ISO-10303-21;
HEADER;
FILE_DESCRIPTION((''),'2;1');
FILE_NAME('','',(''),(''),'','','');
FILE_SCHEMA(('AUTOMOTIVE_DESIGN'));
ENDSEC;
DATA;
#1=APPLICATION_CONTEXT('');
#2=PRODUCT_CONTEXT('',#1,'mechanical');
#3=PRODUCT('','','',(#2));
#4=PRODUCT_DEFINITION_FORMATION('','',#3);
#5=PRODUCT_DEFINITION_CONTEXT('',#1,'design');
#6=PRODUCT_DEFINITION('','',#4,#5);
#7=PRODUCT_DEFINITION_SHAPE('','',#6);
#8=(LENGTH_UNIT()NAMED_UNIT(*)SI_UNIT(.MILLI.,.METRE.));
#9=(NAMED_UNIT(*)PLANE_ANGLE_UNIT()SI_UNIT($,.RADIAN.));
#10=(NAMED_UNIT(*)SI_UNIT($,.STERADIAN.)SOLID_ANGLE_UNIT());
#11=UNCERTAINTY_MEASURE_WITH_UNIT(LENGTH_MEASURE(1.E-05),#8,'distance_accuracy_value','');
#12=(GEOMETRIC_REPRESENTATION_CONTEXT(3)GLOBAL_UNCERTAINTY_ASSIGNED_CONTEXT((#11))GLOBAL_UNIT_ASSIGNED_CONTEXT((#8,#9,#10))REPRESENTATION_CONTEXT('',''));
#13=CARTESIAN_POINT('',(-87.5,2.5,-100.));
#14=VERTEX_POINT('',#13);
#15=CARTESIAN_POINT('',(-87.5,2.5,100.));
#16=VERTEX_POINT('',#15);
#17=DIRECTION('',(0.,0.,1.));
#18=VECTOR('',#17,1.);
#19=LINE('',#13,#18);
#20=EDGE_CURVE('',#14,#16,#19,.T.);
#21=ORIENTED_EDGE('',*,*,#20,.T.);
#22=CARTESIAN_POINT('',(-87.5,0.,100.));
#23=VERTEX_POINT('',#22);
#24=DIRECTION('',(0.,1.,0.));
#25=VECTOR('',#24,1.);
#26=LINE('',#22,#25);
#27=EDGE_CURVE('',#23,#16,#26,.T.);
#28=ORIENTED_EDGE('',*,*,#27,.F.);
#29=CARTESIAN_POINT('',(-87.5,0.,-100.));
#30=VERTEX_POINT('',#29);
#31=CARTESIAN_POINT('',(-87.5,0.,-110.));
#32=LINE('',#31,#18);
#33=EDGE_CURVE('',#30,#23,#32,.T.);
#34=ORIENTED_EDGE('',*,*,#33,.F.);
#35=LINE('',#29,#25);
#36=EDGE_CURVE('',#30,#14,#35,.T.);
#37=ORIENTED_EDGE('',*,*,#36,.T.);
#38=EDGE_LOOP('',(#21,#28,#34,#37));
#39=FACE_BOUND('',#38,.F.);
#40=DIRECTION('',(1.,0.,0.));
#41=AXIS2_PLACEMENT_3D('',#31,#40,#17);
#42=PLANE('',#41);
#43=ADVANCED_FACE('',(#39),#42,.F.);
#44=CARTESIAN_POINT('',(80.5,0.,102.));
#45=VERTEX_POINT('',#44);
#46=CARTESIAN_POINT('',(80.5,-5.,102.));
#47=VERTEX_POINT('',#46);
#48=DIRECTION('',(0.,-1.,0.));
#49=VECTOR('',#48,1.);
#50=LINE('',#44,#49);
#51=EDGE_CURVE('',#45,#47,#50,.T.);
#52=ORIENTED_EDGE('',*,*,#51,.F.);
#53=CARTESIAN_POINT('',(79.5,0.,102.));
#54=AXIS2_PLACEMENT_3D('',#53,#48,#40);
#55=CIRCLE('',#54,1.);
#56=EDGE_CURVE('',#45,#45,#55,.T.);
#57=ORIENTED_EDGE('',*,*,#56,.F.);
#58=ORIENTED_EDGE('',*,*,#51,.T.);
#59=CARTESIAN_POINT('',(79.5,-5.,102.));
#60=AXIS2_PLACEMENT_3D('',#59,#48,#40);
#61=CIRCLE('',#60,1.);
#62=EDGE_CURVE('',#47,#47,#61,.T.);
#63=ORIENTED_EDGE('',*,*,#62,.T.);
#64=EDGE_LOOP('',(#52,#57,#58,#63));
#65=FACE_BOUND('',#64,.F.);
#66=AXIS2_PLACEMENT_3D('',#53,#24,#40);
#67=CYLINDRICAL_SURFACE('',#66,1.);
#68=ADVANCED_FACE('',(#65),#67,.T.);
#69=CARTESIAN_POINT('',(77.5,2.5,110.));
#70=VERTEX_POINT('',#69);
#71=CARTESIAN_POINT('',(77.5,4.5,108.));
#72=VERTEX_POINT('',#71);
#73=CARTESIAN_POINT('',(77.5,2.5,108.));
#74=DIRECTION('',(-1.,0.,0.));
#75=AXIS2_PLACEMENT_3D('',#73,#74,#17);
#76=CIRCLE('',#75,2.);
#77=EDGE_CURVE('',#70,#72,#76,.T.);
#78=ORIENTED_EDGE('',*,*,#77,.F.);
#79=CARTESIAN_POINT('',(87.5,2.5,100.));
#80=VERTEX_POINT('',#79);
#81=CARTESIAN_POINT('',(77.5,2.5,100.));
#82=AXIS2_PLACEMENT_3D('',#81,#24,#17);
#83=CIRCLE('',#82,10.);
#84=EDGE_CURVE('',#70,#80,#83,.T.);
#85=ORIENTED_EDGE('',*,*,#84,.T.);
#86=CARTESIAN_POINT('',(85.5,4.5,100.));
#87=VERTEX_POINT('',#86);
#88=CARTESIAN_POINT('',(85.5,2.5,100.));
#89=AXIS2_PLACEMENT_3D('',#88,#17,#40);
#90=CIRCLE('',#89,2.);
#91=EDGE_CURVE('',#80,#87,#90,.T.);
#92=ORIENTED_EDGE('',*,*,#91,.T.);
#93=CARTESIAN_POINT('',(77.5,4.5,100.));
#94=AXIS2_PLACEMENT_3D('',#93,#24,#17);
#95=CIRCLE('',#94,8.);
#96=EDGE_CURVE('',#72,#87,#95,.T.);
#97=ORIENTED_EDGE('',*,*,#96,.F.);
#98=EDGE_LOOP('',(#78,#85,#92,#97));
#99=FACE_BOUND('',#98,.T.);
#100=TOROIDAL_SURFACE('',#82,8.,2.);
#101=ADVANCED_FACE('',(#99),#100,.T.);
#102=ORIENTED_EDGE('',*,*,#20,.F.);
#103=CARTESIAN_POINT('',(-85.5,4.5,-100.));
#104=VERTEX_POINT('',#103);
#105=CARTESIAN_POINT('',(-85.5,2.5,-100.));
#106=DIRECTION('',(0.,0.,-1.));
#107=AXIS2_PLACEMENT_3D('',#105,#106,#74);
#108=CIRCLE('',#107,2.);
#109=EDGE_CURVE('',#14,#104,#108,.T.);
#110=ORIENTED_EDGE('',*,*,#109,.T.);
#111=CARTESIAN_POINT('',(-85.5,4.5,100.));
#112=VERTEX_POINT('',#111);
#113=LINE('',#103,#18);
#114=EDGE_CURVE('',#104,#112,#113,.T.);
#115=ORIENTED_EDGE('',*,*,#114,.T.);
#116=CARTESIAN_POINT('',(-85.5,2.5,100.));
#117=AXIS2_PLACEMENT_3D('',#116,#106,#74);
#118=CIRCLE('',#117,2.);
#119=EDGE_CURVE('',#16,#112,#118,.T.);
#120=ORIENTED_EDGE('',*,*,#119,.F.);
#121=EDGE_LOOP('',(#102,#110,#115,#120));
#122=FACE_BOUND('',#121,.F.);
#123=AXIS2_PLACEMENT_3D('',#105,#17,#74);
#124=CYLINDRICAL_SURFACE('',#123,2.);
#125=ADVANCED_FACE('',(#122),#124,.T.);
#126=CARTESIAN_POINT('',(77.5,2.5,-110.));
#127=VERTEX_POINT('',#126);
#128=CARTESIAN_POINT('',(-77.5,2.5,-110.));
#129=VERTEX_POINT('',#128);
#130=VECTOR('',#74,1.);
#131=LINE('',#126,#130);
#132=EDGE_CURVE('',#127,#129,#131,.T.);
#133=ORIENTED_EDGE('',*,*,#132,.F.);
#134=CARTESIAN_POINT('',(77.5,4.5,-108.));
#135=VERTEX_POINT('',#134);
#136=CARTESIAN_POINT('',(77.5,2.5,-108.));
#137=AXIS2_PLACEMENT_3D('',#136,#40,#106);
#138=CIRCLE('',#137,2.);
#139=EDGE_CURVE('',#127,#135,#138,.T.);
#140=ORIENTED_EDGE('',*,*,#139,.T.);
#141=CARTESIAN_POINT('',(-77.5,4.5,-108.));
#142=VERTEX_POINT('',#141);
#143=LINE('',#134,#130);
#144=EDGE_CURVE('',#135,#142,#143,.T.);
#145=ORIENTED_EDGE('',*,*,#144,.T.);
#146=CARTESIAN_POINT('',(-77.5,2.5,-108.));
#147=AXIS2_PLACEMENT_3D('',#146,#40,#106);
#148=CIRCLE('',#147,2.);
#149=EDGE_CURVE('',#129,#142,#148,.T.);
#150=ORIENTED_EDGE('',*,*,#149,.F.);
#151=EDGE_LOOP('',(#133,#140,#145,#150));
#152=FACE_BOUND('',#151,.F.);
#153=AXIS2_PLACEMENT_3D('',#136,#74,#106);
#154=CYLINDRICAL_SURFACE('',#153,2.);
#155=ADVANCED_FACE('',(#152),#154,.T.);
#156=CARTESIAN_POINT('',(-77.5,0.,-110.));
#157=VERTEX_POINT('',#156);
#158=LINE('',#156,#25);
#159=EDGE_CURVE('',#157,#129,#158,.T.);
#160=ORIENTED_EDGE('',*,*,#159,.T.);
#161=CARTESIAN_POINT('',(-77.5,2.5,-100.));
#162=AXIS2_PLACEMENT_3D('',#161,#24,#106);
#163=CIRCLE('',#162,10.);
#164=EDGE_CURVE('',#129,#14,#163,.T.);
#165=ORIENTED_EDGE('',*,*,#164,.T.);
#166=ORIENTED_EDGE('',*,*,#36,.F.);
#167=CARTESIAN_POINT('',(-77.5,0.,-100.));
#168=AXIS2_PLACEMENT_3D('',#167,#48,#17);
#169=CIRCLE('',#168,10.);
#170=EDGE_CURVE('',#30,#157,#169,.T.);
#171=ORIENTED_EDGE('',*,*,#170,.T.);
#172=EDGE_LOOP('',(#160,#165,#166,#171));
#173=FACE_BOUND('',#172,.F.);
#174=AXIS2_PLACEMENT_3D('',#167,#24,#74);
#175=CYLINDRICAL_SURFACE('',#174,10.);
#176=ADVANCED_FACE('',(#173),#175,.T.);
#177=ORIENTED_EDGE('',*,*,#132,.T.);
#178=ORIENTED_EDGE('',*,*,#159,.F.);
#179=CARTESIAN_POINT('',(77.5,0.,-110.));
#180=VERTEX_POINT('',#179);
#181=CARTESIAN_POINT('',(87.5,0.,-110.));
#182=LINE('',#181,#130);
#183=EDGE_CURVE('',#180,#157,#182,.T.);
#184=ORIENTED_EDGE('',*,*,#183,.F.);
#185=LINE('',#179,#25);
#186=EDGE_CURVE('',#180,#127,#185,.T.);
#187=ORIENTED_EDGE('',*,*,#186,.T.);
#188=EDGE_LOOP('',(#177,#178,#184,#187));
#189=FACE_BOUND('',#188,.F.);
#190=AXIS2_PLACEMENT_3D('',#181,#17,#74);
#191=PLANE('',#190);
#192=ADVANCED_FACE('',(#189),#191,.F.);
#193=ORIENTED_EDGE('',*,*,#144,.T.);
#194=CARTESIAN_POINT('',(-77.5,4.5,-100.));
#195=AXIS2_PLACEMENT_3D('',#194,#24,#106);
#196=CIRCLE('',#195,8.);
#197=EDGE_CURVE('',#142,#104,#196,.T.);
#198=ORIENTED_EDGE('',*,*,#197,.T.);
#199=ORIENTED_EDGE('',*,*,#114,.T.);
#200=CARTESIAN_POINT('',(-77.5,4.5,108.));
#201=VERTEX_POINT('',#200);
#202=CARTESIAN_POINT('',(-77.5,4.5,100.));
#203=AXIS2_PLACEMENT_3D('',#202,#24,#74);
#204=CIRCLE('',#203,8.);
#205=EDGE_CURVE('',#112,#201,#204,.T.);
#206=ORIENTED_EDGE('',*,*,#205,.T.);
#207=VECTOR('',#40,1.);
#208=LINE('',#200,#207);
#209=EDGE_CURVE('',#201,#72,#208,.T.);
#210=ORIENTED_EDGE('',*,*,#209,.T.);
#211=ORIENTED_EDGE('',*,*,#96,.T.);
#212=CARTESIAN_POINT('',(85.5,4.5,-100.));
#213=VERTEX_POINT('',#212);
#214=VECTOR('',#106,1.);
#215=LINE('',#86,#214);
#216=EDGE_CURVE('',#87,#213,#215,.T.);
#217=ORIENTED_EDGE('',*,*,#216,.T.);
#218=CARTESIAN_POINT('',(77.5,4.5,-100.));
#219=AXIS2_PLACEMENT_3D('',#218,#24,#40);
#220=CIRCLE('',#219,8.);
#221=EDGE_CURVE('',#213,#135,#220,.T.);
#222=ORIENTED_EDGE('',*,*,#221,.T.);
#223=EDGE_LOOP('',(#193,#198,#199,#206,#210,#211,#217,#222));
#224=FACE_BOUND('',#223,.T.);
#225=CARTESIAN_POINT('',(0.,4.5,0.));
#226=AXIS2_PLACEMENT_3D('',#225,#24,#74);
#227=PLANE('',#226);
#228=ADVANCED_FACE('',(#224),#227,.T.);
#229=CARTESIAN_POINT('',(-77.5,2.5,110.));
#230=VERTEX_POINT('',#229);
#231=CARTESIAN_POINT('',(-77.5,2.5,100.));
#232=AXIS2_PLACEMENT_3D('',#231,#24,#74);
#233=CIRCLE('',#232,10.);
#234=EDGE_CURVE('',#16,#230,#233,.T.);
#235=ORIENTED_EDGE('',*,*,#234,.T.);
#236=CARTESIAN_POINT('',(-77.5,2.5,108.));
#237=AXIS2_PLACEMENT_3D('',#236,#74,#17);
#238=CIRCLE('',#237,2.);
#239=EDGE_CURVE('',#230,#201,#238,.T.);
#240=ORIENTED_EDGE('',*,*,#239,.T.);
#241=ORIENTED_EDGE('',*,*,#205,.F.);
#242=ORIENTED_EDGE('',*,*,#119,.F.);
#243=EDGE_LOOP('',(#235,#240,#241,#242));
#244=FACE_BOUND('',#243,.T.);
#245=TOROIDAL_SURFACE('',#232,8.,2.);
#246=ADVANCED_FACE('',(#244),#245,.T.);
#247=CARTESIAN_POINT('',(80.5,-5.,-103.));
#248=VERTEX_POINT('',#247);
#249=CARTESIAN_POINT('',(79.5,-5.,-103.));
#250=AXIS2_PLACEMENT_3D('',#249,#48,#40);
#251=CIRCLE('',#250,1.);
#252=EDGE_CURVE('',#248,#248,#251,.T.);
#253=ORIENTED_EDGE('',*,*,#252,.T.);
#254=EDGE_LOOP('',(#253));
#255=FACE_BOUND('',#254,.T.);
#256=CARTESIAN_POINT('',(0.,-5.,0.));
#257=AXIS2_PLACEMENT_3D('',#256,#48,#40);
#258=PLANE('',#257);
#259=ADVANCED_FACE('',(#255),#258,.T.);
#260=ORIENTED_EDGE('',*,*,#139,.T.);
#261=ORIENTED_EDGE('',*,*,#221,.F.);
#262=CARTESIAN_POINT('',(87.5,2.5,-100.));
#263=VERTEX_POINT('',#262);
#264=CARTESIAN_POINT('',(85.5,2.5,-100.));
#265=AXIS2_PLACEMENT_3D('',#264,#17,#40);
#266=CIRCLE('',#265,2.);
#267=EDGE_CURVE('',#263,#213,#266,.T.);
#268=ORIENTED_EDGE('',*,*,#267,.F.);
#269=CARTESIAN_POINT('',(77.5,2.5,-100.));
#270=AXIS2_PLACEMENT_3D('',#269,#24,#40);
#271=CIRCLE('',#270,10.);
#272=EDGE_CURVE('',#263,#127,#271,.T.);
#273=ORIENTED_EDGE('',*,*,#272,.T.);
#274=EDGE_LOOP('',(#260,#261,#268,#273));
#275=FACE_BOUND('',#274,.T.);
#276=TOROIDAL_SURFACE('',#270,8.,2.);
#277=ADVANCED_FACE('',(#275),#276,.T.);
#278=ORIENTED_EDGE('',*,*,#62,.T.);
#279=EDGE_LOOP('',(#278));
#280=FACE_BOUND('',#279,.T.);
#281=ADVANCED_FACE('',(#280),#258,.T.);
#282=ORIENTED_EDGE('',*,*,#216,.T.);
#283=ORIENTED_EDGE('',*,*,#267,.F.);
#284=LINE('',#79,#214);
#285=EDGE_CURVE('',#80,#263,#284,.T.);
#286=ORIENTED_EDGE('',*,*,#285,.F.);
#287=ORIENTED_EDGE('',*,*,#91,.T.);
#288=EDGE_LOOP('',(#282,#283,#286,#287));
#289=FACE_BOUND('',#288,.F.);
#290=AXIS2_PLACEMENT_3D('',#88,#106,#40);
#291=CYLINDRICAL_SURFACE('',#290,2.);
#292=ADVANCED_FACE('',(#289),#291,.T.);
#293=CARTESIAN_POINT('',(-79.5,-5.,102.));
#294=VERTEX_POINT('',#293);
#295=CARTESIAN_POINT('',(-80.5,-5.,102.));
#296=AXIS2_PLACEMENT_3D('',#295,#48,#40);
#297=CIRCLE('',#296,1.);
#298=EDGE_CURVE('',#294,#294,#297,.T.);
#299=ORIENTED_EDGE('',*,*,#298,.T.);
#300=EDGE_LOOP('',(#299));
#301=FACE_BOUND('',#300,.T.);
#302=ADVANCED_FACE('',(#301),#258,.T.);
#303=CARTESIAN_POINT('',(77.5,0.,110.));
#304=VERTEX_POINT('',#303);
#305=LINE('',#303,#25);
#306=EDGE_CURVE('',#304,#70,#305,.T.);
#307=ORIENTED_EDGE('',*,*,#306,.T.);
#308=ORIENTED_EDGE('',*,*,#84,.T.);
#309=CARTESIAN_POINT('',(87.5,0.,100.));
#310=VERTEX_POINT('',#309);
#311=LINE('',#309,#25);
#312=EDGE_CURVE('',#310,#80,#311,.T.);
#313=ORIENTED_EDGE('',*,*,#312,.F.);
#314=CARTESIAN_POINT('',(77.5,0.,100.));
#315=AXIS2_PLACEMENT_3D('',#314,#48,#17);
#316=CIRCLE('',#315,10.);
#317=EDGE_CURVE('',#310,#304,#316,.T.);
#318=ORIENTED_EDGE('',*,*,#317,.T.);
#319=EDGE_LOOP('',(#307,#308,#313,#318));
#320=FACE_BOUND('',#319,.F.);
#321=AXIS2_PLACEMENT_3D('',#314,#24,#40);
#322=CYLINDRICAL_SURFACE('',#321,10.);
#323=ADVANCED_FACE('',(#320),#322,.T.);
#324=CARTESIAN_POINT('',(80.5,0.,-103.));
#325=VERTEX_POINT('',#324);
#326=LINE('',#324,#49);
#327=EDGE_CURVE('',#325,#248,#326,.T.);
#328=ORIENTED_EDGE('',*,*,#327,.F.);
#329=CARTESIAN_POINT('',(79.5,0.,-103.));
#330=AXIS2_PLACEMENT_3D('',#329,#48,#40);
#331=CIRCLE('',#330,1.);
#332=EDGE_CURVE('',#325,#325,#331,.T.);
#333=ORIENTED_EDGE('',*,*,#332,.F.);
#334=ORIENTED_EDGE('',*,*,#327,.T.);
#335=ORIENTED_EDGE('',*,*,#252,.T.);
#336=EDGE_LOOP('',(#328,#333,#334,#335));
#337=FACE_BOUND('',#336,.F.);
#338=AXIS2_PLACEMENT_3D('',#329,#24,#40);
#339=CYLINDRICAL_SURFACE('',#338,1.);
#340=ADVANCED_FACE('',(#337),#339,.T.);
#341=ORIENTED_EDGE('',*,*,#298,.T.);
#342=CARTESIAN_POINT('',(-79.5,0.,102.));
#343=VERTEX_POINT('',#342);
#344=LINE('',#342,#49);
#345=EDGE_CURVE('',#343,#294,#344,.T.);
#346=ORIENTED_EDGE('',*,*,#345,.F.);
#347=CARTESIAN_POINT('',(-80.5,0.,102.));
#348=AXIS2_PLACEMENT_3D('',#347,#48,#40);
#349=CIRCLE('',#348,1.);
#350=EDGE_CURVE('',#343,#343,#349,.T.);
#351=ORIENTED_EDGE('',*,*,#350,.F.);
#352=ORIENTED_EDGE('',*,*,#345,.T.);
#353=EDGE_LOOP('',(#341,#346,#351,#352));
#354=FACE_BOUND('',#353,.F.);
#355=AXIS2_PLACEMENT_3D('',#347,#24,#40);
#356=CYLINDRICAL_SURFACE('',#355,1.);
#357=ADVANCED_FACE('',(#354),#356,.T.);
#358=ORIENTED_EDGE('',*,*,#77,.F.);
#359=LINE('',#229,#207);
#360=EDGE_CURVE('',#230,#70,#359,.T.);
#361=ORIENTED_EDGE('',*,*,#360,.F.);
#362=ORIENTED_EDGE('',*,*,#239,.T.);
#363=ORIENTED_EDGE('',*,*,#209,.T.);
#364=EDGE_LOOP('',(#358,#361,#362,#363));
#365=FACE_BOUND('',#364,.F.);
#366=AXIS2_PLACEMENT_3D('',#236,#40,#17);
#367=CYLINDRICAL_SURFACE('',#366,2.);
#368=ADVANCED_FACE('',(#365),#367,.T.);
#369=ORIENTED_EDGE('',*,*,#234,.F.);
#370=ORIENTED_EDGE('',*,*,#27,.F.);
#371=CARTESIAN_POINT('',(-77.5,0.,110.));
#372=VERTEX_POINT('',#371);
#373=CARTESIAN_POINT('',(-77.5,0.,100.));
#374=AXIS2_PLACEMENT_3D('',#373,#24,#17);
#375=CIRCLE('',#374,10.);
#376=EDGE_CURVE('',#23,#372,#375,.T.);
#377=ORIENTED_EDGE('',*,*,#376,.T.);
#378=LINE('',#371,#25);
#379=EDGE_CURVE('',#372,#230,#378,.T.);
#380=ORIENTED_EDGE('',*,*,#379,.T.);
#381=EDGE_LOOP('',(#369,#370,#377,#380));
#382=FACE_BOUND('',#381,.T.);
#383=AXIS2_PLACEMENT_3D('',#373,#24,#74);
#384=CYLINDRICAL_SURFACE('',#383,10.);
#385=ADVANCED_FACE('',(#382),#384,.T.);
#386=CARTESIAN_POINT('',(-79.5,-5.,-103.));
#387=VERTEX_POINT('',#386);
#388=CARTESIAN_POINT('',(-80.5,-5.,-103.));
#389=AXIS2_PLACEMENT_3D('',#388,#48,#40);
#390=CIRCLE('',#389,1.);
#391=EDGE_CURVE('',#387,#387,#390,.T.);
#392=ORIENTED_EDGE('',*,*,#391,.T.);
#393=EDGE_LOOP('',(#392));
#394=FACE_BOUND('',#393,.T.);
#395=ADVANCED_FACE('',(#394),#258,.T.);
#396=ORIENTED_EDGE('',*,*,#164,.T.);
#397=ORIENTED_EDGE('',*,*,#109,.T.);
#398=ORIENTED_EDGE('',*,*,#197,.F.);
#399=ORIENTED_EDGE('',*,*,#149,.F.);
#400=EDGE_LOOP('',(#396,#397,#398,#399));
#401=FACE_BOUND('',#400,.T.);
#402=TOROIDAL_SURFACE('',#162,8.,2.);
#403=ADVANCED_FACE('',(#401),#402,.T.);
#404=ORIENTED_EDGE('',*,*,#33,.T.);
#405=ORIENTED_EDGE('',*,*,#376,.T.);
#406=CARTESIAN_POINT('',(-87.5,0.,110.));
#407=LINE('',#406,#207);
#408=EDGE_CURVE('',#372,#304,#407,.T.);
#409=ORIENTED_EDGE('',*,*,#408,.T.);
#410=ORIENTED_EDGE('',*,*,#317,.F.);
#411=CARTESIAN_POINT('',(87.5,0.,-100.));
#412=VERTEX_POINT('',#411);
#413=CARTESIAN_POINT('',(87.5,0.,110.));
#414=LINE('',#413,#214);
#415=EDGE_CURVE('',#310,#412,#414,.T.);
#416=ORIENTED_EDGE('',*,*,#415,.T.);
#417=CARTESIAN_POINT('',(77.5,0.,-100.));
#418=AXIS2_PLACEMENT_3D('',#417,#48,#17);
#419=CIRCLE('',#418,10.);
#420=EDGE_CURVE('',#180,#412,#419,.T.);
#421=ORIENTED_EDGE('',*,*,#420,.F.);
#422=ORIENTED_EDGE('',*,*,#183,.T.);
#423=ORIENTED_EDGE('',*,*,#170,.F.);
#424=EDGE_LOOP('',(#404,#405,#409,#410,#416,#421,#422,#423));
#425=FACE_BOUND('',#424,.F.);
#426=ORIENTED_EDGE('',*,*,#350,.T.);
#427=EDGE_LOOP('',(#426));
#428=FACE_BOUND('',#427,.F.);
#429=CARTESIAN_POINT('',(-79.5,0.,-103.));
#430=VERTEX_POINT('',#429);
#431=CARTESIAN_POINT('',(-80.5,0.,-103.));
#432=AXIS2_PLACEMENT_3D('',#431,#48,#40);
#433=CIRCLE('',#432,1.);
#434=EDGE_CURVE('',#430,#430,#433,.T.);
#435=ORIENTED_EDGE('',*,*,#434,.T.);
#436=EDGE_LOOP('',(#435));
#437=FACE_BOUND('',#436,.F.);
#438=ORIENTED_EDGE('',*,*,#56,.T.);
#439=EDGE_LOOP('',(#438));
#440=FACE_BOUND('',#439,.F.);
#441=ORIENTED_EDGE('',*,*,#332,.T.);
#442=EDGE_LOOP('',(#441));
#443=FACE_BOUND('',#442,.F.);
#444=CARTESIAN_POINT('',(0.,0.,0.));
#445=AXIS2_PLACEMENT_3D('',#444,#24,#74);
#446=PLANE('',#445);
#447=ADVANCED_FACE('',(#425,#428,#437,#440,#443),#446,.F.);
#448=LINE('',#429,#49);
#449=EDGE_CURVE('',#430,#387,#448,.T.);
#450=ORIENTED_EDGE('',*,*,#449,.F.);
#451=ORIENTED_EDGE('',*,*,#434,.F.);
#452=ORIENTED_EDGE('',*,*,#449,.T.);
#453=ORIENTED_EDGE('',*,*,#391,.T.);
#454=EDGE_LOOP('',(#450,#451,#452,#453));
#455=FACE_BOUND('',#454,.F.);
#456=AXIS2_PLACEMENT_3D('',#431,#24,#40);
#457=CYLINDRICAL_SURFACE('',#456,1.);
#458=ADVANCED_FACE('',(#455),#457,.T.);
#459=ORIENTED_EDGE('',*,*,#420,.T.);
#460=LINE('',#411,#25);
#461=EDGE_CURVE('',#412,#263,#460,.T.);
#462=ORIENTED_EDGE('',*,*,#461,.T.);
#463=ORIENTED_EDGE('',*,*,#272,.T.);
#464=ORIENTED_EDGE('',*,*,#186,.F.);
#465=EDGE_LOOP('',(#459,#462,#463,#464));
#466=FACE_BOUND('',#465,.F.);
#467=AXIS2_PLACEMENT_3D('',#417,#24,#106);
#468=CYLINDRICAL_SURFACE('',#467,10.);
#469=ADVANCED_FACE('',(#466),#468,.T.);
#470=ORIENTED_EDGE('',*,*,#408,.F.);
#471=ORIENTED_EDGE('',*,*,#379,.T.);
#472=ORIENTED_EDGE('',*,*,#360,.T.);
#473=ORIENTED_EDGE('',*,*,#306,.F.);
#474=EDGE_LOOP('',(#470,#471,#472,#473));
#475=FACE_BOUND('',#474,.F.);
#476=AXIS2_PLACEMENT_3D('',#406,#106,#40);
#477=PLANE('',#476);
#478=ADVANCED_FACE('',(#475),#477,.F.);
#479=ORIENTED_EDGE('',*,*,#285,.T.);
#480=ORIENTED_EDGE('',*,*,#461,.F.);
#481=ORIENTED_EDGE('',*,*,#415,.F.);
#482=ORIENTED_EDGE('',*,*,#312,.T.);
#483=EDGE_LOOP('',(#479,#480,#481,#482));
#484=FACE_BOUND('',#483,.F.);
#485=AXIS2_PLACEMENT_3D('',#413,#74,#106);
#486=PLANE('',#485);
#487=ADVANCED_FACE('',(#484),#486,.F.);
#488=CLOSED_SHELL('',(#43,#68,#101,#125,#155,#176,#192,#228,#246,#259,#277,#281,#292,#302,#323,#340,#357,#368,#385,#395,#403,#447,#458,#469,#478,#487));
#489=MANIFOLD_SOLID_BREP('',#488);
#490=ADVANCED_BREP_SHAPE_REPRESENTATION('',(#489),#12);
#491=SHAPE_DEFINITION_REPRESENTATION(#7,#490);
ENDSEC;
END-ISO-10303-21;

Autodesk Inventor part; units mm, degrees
ref_plane "YZ Plane" through (0, 0, 0) normal (1, 0, 0) x (0, 1, 0)
ref_plane "XZ Plane" through (0, 0, 0) normal (0, 1, 0) x (-1, 0, 0)
ref_plane "XY Plane" through (0, 0, 0) normal (0, 0, 1) x (1, 0, 0)
sketch "Sketch1" plane through (0, 0, 0) normal (0, 1, 0) x (-1, 0, 0)
  line L0 (87.5, 110) -> (-87.5, 110)
  line L1 (-87.5, 110) -> (-87.5, -110)
  line L2 (-87.5, -110) -> (87.5, -110)
  line L3 (87.5, -110) -> (87.5, 110)
  point P0 (0, 0)
  dimension "d0" = 110
  dimension "d1" = 110
  dimension "d2" = 87.5
  dimension "d3" = 87.5
extrude "Extrusion1" add sketch "Sketch1" along normal blind 4.5
fillet "Fillet1" radius 10 4 edges at (-87.5, 2.25, 110) (-87.5, 2.25, -110) (87.5, 2.25, -110) (87.5, 2.25, 110)
fillet "Fillet2" radius 2 8 edges at (-84.5711, 4.5, 107.0711) (0, 4.5, 110) (84.5711, 4.5, 107.0711) (87.5, 4.5, 0) (84.5711, 4.5, -107.0711) (0, 4.5, -110) (-84.5711, 4.5, -107.0711) (-87.5, 4.5, 0)
sketch "Sketch2" plane through (0, 0, 0) normal (0, -1, 0) x (1, 0, 0)
  circle A0 centre (-80.5, -103) radius 1
  line L0 (77.5, -110) -> (-77.5, -110) projected
  line L1 (-87.5, -100) -> (-87.5, 100) projected
  circle A1 centre (79.5, -103) radius 1
  circle A2 centre (-80.5, 102) radius 1
  circle A3 centre (79.5, 102) radius 1
  point P0 (0, 0)
  dimension "d8" = 7
  dimension "d9" = 7
  dimension "d10" = 2
  dimension "d13" = 160
  dimension "d16" = 205
extrude "Extrusion2" add sketch "Sketch2" along normal blind 5
sketch "Sketch4" plane through (0, 4.5, 0) normal (0, 1, 0) x (1, 0, 0)
  line L0 (88.4576, 110.604) -> (88.4576, -111.3884) construction
  line L1 (88.4576, -111.3884) -> (-87.9776, -111.3884) construction
  line L2 (-87.9776, -111.3884) -> (-87.9776, 110.604) construction
  line L3 (-87.9776, 110.604) -> (88.4576, 110.604) construction
  point P0 (0, 0)
decal "Decal1"
decal "Decal2"
decal "Decal3"
decal "Decal4"
decal "Decal5"
decal "Decal6"
decal "Decal7"
decal "Decal8"
decal "Decal9"
equation "\"d1\" = d0"
equation "\"d3\" = d2"
properties part number "Solar Panel"
